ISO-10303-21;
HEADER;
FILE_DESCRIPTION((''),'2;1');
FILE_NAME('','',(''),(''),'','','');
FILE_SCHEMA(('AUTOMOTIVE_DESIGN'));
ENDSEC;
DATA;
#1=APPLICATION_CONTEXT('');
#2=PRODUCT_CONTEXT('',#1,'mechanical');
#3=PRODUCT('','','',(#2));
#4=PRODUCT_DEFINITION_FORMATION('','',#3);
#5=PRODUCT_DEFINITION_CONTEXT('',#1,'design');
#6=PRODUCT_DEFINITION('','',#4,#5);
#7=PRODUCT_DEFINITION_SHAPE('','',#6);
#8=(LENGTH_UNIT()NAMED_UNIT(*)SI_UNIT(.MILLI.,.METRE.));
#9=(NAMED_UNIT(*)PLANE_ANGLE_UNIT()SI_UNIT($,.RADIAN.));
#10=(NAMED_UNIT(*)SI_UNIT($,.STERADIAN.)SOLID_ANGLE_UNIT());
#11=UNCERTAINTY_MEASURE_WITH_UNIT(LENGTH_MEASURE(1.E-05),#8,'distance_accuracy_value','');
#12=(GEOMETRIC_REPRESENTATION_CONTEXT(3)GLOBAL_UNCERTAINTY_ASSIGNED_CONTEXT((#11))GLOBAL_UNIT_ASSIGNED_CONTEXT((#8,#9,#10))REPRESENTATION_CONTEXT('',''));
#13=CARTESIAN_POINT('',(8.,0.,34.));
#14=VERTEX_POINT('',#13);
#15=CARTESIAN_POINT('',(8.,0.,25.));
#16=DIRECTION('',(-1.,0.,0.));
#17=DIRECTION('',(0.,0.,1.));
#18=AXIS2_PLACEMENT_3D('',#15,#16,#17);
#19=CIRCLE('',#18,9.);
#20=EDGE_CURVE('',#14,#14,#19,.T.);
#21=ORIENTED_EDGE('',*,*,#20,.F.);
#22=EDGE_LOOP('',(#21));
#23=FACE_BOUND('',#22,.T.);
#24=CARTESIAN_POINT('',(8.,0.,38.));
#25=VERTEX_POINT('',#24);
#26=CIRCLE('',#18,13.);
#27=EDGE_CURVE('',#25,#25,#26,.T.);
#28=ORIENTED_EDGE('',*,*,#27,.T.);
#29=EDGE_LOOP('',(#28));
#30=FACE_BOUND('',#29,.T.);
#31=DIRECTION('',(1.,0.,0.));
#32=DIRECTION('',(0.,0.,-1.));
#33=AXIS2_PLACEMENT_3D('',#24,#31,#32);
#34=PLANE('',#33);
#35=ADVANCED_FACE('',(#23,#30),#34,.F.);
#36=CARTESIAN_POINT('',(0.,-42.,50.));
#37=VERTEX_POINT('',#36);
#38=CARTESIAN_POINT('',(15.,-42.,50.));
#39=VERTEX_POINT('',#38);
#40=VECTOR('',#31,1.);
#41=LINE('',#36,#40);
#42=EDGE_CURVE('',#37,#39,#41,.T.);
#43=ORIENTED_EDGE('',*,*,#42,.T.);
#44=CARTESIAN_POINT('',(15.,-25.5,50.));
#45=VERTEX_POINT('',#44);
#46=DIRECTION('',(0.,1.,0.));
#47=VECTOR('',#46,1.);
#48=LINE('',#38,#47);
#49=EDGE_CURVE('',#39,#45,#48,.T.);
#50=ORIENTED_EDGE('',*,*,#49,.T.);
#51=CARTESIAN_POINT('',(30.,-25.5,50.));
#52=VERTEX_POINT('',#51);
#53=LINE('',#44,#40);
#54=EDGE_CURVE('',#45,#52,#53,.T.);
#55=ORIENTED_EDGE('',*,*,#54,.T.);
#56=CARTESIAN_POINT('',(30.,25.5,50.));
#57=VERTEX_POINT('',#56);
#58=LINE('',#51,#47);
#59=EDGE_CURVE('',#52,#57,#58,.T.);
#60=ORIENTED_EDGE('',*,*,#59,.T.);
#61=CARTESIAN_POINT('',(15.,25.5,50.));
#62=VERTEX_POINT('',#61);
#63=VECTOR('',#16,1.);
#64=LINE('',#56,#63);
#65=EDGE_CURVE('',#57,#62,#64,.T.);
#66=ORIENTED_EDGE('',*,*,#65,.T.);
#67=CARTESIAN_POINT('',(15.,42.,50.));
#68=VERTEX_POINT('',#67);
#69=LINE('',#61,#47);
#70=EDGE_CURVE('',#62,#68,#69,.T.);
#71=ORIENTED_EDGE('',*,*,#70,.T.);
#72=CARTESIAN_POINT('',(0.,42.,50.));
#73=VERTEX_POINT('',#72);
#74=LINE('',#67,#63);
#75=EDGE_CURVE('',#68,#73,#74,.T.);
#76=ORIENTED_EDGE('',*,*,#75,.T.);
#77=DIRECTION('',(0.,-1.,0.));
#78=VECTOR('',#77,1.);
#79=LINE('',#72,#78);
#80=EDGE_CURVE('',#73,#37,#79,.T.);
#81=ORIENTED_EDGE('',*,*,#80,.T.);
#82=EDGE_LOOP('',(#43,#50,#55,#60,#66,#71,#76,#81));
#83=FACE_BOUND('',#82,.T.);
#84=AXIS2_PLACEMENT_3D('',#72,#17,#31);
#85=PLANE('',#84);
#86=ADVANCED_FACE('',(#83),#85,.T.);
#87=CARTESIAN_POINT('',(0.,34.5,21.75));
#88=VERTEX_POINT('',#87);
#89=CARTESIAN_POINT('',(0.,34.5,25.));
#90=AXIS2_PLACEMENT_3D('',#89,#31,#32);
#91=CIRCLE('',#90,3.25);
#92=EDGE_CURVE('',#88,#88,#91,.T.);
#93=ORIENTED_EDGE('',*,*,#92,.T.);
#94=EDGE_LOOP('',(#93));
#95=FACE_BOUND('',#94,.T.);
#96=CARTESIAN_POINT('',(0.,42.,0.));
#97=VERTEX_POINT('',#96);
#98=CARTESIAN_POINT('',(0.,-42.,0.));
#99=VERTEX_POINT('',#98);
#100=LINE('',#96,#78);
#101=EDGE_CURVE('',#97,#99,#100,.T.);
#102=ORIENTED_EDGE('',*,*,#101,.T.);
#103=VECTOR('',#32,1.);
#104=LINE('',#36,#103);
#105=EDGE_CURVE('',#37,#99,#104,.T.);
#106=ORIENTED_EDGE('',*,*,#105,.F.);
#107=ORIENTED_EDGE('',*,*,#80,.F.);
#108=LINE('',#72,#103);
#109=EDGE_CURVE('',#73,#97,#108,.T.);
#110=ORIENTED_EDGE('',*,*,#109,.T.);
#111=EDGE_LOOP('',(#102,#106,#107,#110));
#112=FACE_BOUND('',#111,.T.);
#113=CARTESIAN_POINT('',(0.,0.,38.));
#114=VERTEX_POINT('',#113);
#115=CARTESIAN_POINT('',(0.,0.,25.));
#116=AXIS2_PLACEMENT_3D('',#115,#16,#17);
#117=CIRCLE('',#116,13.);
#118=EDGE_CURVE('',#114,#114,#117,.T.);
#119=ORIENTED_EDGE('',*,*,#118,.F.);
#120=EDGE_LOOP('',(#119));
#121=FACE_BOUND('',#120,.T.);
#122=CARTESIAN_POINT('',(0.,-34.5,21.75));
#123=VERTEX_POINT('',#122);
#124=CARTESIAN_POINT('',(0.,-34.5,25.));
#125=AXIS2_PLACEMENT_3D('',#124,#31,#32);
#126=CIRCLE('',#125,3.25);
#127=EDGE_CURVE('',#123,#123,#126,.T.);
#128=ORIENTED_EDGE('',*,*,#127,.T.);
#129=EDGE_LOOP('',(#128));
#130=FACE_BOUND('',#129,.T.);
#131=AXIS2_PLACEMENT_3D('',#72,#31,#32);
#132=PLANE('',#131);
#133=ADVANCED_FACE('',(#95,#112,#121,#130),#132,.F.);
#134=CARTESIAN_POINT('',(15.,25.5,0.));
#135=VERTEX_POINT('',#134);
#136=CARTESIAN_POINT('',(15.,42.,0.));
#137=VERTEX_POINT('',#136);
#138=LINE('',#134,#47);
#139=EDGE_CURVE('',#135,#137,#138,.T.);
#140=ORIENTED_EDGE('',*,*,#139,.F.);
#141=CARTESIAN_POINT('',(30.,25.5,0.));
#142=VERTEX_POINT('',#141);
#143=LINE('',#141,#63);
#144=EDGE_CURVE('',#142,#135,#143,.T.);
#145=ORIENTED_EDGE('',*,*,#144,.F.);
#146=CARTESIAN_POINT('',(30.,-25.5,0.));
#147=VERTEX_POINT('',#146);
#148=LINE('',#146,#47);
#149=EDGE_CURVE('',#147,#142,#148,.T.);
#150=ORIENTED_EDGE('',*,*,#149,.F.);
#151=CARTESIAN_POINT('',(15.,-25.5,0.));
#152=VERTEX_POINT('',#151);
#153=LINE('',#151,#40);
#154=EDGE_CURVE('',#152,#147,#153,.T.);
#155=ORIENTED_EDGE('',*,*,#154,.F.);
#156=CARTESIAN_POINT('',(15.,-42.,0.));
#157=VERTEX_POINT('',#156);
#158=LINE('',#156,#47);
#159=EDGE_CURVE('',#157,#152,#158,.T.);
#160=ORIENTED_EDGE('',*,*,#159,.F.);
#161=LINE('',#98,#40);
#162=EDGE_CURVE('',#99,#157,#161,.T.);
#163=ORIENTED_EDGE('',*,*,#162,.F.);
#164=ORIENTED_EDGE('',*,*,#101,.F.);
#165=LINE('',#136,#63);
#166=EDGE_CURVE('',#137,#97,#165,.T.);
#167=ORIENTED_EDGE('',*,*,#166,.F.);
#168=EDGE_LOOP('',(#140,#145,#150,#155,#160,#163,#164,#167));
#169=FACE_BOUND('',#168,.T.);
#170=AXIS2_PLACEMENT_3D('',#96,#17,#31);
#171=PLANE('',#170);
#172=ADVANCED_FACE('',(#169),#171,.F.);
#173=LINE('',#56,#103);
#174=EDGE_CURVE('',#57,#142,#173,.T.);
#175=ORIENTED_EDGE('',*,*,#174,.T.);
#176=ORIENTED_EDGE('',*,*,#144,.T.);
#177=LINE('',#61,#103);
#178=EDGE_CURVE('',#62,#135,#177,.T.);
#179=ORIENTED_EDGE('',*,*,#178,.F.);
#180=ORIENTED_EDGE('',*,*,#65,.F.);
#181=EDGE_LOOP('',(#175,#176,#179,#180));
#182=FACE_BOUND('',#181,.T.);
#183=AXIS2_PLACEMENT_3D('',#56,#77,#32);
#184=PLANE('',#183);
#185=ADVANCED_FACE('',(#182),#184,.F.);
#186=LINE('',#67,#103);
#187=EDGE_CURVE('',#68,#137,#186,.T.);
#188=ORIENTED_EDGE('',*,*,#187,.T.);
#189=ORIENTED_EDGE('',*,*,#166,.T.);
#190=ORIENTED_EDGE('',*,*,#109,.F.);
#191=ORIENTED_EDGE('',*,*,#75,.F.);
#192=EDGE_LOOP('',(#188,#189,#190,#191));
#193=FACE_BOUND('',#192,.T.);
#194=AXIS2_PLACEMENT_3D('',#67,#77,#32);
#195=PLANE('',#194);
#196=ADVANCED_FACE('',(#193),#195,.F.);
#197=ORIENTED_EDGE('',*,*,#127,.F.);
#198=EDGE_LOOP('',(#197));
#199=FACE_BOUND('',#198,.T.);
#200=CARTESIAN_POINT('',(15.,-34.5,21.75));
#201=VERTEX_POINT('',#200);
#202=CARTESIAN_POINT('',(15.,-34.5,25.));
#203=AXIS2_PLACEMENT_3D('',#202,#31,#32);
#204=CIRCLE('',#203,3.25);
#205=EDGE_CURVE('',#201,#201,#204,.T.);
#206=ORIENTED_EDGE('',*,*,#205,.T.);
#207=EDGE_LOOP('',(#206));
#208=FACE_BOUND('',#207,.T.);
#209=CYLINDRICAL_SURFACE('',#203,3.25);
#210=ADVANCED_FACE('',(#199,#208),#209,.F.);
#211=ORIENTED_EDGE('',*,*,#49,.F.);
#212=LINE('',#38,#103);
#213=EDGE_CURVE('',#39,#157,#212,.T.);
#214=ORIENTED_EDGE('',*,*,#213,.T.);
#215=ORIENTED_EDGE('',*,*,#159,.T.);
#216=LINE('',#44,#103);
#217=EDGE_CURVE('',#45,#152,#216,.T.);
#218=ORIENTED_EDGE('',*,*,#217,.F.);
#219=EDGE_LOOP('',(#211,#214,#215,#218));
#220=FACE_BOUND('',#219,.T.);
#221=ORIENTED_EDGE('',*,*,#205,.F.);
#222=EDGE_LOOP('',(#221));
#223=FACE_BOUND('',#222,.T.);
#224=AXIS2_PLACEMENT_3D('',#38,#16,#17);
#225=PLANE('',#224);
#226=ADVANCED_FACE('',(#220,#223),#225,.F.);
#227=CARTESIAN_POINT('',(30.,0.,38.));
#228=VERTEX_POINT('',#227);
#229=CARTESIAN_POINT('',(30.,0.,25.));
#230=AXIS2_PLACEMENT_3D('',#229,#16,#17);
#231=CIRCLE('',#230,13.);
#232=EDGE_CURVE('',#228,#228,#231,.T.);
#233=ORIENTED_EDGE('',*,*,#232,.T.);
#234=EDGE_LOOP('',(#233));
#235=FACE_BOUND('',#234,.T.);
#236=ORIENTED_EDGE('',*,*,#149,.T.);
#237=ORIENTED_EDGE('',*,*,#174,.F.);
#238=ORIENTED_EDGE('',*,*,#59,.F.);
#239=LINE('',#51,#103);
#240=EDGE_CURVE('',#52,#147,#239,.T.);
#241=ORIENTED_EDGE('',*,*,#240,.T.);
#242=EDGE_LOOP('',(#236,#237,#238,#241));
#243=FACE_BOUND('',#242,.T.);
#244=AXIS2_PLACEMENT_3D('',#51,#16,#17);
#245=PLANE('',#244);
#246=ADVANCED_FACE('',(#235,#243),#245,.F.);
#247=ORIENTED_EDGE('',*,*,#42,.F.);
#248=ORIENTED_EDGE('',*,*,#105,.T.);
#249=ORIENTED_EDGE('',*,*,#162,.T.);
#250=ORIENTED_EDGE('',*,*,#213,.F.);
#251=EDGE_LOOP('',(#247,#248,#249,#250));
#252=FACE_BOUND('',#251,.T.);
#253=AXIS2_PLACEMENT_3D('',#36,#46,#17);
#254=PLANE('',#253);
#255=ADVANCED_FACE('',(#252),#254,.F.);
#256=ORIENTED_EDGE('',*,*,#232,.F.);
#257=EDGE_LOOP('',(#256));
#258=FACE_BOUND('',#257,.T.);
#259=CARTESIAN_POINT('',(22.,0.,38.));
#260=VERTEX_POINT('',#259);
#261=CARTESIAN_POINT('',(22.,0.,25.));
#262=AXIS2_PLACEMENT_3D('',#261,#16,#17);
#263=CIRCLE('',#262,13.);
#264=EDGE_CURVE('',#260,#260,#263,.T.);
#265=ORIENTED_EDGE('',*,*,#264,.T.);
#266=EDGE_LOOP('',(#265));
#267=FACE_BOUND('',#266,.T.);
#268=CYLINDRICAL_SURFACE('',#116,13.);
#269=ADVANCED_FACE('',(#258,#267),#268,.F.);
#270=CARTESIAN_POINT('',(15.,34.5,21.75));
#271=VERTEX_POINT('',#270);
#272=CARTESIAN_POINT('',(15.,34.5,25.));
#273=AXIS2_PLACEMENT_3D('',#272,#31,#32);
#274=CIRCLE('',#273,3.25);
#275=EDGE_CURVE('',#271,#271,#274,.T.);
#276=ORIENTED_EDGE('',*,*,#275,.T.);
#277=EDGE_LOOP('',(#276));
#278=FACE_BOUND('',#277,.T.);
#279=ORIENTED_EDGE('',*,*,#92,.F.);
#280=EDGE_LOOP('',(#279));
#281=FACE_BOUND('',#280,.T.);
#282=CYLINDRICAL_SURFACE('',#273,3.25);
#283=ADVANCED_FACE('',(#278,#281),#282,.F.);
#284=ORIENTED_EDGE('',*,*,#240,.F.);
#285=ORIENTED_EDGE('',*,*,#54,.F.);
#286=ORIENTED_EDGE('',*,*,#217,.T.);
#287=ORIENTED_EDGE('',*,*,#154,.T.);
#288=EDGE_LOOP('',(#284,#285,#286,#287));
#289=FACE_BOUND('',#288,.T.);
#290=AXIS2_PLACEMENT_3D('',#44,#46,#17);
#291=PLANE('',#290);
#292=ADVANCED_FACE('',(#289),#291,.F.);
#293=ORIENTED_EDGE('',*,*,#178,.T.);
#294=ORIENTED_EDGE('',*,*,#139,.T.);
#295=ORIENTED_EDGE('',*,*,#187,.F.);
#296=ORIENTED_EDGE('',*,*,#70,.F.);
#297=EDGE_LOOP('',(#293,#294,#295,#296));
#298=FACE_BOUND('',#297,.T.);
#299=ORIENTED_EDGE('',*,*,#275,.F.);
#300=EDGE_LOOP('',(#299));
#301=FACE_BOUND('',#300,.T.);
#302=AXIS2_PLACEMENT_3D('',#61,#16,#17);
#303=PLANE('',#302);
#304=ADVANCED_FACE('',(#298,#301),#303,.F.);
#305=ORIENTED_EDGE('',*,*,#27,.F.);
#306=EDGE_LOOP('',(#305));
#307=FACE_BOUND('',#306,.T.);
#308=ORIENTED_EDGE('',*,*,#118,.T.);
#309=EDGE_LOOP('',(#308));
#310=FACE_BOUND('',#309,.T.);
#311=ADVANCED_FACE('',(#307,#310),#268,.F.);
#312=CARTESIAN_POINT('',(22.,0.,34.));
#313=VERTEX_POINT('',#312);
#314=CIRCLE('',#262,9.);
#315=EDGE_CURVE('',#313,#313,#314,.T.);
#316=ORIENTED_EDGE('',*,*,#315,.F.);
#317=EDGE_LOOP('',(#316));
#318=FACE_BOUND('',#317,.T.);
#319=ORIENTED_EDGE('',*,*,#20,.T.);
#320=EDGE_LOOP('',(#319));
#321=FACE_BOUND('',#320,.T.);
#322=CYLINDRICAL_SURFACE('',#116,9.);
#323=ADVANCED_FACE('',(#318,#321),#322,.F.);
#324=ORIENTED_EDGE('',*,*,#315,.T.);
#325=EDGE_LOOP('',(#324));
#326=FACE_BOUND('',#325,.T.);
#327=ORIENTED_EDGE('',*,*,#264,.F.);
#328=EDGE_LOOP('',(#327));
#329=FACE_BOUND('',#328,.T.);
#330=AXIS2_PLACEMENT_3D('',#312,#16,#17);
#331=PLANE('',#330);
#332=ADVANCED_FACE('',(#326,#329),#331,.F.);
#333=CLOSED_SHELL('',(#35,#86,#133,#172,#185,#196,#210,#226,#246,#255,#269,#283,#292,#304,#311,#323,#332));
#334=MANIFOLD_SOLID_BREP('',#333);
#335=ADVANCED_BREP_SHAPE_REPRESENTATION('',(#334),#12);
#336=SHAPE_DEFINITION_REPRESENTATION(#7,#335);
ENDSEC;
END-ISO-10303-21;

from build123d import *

# Parameters (mm, degrees)
BOSS_EXTRUDE1_DEPTH        = 50
F_6_5_6_5_DIAMETER_HOLE1_D = 6.5


with BuildPart() as part:
    # Sketch1 → Boss-Extrude1 (new body)
    with BuildSketch(Plane.XY):
        Polygon((0, 42), (0, -42), (15, -42), (15, -25.5), (30, -25.5), (30, 25.5), (15, 25.5), (15, 42), align=None)
    extrude(amount=BOSS_EXTRUDE1_DEPTH)

    # Ø6.5 (6.5) Diameter Hole1 (through all)
    with Locations(Plane(origin=(15, 0, 0), x_dir=(0, 0, -1), z_dir=(1, 0, 0))):
        with Locations((-25, -34.5), (-25, 34.5)):
            Hole(F_6_5_6_5_DIAMETER_HOLE1_D / 2)

    # Sketch4 → Cut-Revolve1 (revolve, cut)
    with BuildSketch(Plane(origin=(0, 0, 0), x_dir=(1, 0, 0), z_dir=(0, 1, 0))):
        Polygon((0, -25), (0, -38), (8, -38), (8, -34), (22, -34), (22, -38), (30, -38), (30, -25), align=None)
    revolve(axis=Axis((0, 0, 25), (1, 0, 0)), mode=Mode.SUBTRACT)


solid = part.part
